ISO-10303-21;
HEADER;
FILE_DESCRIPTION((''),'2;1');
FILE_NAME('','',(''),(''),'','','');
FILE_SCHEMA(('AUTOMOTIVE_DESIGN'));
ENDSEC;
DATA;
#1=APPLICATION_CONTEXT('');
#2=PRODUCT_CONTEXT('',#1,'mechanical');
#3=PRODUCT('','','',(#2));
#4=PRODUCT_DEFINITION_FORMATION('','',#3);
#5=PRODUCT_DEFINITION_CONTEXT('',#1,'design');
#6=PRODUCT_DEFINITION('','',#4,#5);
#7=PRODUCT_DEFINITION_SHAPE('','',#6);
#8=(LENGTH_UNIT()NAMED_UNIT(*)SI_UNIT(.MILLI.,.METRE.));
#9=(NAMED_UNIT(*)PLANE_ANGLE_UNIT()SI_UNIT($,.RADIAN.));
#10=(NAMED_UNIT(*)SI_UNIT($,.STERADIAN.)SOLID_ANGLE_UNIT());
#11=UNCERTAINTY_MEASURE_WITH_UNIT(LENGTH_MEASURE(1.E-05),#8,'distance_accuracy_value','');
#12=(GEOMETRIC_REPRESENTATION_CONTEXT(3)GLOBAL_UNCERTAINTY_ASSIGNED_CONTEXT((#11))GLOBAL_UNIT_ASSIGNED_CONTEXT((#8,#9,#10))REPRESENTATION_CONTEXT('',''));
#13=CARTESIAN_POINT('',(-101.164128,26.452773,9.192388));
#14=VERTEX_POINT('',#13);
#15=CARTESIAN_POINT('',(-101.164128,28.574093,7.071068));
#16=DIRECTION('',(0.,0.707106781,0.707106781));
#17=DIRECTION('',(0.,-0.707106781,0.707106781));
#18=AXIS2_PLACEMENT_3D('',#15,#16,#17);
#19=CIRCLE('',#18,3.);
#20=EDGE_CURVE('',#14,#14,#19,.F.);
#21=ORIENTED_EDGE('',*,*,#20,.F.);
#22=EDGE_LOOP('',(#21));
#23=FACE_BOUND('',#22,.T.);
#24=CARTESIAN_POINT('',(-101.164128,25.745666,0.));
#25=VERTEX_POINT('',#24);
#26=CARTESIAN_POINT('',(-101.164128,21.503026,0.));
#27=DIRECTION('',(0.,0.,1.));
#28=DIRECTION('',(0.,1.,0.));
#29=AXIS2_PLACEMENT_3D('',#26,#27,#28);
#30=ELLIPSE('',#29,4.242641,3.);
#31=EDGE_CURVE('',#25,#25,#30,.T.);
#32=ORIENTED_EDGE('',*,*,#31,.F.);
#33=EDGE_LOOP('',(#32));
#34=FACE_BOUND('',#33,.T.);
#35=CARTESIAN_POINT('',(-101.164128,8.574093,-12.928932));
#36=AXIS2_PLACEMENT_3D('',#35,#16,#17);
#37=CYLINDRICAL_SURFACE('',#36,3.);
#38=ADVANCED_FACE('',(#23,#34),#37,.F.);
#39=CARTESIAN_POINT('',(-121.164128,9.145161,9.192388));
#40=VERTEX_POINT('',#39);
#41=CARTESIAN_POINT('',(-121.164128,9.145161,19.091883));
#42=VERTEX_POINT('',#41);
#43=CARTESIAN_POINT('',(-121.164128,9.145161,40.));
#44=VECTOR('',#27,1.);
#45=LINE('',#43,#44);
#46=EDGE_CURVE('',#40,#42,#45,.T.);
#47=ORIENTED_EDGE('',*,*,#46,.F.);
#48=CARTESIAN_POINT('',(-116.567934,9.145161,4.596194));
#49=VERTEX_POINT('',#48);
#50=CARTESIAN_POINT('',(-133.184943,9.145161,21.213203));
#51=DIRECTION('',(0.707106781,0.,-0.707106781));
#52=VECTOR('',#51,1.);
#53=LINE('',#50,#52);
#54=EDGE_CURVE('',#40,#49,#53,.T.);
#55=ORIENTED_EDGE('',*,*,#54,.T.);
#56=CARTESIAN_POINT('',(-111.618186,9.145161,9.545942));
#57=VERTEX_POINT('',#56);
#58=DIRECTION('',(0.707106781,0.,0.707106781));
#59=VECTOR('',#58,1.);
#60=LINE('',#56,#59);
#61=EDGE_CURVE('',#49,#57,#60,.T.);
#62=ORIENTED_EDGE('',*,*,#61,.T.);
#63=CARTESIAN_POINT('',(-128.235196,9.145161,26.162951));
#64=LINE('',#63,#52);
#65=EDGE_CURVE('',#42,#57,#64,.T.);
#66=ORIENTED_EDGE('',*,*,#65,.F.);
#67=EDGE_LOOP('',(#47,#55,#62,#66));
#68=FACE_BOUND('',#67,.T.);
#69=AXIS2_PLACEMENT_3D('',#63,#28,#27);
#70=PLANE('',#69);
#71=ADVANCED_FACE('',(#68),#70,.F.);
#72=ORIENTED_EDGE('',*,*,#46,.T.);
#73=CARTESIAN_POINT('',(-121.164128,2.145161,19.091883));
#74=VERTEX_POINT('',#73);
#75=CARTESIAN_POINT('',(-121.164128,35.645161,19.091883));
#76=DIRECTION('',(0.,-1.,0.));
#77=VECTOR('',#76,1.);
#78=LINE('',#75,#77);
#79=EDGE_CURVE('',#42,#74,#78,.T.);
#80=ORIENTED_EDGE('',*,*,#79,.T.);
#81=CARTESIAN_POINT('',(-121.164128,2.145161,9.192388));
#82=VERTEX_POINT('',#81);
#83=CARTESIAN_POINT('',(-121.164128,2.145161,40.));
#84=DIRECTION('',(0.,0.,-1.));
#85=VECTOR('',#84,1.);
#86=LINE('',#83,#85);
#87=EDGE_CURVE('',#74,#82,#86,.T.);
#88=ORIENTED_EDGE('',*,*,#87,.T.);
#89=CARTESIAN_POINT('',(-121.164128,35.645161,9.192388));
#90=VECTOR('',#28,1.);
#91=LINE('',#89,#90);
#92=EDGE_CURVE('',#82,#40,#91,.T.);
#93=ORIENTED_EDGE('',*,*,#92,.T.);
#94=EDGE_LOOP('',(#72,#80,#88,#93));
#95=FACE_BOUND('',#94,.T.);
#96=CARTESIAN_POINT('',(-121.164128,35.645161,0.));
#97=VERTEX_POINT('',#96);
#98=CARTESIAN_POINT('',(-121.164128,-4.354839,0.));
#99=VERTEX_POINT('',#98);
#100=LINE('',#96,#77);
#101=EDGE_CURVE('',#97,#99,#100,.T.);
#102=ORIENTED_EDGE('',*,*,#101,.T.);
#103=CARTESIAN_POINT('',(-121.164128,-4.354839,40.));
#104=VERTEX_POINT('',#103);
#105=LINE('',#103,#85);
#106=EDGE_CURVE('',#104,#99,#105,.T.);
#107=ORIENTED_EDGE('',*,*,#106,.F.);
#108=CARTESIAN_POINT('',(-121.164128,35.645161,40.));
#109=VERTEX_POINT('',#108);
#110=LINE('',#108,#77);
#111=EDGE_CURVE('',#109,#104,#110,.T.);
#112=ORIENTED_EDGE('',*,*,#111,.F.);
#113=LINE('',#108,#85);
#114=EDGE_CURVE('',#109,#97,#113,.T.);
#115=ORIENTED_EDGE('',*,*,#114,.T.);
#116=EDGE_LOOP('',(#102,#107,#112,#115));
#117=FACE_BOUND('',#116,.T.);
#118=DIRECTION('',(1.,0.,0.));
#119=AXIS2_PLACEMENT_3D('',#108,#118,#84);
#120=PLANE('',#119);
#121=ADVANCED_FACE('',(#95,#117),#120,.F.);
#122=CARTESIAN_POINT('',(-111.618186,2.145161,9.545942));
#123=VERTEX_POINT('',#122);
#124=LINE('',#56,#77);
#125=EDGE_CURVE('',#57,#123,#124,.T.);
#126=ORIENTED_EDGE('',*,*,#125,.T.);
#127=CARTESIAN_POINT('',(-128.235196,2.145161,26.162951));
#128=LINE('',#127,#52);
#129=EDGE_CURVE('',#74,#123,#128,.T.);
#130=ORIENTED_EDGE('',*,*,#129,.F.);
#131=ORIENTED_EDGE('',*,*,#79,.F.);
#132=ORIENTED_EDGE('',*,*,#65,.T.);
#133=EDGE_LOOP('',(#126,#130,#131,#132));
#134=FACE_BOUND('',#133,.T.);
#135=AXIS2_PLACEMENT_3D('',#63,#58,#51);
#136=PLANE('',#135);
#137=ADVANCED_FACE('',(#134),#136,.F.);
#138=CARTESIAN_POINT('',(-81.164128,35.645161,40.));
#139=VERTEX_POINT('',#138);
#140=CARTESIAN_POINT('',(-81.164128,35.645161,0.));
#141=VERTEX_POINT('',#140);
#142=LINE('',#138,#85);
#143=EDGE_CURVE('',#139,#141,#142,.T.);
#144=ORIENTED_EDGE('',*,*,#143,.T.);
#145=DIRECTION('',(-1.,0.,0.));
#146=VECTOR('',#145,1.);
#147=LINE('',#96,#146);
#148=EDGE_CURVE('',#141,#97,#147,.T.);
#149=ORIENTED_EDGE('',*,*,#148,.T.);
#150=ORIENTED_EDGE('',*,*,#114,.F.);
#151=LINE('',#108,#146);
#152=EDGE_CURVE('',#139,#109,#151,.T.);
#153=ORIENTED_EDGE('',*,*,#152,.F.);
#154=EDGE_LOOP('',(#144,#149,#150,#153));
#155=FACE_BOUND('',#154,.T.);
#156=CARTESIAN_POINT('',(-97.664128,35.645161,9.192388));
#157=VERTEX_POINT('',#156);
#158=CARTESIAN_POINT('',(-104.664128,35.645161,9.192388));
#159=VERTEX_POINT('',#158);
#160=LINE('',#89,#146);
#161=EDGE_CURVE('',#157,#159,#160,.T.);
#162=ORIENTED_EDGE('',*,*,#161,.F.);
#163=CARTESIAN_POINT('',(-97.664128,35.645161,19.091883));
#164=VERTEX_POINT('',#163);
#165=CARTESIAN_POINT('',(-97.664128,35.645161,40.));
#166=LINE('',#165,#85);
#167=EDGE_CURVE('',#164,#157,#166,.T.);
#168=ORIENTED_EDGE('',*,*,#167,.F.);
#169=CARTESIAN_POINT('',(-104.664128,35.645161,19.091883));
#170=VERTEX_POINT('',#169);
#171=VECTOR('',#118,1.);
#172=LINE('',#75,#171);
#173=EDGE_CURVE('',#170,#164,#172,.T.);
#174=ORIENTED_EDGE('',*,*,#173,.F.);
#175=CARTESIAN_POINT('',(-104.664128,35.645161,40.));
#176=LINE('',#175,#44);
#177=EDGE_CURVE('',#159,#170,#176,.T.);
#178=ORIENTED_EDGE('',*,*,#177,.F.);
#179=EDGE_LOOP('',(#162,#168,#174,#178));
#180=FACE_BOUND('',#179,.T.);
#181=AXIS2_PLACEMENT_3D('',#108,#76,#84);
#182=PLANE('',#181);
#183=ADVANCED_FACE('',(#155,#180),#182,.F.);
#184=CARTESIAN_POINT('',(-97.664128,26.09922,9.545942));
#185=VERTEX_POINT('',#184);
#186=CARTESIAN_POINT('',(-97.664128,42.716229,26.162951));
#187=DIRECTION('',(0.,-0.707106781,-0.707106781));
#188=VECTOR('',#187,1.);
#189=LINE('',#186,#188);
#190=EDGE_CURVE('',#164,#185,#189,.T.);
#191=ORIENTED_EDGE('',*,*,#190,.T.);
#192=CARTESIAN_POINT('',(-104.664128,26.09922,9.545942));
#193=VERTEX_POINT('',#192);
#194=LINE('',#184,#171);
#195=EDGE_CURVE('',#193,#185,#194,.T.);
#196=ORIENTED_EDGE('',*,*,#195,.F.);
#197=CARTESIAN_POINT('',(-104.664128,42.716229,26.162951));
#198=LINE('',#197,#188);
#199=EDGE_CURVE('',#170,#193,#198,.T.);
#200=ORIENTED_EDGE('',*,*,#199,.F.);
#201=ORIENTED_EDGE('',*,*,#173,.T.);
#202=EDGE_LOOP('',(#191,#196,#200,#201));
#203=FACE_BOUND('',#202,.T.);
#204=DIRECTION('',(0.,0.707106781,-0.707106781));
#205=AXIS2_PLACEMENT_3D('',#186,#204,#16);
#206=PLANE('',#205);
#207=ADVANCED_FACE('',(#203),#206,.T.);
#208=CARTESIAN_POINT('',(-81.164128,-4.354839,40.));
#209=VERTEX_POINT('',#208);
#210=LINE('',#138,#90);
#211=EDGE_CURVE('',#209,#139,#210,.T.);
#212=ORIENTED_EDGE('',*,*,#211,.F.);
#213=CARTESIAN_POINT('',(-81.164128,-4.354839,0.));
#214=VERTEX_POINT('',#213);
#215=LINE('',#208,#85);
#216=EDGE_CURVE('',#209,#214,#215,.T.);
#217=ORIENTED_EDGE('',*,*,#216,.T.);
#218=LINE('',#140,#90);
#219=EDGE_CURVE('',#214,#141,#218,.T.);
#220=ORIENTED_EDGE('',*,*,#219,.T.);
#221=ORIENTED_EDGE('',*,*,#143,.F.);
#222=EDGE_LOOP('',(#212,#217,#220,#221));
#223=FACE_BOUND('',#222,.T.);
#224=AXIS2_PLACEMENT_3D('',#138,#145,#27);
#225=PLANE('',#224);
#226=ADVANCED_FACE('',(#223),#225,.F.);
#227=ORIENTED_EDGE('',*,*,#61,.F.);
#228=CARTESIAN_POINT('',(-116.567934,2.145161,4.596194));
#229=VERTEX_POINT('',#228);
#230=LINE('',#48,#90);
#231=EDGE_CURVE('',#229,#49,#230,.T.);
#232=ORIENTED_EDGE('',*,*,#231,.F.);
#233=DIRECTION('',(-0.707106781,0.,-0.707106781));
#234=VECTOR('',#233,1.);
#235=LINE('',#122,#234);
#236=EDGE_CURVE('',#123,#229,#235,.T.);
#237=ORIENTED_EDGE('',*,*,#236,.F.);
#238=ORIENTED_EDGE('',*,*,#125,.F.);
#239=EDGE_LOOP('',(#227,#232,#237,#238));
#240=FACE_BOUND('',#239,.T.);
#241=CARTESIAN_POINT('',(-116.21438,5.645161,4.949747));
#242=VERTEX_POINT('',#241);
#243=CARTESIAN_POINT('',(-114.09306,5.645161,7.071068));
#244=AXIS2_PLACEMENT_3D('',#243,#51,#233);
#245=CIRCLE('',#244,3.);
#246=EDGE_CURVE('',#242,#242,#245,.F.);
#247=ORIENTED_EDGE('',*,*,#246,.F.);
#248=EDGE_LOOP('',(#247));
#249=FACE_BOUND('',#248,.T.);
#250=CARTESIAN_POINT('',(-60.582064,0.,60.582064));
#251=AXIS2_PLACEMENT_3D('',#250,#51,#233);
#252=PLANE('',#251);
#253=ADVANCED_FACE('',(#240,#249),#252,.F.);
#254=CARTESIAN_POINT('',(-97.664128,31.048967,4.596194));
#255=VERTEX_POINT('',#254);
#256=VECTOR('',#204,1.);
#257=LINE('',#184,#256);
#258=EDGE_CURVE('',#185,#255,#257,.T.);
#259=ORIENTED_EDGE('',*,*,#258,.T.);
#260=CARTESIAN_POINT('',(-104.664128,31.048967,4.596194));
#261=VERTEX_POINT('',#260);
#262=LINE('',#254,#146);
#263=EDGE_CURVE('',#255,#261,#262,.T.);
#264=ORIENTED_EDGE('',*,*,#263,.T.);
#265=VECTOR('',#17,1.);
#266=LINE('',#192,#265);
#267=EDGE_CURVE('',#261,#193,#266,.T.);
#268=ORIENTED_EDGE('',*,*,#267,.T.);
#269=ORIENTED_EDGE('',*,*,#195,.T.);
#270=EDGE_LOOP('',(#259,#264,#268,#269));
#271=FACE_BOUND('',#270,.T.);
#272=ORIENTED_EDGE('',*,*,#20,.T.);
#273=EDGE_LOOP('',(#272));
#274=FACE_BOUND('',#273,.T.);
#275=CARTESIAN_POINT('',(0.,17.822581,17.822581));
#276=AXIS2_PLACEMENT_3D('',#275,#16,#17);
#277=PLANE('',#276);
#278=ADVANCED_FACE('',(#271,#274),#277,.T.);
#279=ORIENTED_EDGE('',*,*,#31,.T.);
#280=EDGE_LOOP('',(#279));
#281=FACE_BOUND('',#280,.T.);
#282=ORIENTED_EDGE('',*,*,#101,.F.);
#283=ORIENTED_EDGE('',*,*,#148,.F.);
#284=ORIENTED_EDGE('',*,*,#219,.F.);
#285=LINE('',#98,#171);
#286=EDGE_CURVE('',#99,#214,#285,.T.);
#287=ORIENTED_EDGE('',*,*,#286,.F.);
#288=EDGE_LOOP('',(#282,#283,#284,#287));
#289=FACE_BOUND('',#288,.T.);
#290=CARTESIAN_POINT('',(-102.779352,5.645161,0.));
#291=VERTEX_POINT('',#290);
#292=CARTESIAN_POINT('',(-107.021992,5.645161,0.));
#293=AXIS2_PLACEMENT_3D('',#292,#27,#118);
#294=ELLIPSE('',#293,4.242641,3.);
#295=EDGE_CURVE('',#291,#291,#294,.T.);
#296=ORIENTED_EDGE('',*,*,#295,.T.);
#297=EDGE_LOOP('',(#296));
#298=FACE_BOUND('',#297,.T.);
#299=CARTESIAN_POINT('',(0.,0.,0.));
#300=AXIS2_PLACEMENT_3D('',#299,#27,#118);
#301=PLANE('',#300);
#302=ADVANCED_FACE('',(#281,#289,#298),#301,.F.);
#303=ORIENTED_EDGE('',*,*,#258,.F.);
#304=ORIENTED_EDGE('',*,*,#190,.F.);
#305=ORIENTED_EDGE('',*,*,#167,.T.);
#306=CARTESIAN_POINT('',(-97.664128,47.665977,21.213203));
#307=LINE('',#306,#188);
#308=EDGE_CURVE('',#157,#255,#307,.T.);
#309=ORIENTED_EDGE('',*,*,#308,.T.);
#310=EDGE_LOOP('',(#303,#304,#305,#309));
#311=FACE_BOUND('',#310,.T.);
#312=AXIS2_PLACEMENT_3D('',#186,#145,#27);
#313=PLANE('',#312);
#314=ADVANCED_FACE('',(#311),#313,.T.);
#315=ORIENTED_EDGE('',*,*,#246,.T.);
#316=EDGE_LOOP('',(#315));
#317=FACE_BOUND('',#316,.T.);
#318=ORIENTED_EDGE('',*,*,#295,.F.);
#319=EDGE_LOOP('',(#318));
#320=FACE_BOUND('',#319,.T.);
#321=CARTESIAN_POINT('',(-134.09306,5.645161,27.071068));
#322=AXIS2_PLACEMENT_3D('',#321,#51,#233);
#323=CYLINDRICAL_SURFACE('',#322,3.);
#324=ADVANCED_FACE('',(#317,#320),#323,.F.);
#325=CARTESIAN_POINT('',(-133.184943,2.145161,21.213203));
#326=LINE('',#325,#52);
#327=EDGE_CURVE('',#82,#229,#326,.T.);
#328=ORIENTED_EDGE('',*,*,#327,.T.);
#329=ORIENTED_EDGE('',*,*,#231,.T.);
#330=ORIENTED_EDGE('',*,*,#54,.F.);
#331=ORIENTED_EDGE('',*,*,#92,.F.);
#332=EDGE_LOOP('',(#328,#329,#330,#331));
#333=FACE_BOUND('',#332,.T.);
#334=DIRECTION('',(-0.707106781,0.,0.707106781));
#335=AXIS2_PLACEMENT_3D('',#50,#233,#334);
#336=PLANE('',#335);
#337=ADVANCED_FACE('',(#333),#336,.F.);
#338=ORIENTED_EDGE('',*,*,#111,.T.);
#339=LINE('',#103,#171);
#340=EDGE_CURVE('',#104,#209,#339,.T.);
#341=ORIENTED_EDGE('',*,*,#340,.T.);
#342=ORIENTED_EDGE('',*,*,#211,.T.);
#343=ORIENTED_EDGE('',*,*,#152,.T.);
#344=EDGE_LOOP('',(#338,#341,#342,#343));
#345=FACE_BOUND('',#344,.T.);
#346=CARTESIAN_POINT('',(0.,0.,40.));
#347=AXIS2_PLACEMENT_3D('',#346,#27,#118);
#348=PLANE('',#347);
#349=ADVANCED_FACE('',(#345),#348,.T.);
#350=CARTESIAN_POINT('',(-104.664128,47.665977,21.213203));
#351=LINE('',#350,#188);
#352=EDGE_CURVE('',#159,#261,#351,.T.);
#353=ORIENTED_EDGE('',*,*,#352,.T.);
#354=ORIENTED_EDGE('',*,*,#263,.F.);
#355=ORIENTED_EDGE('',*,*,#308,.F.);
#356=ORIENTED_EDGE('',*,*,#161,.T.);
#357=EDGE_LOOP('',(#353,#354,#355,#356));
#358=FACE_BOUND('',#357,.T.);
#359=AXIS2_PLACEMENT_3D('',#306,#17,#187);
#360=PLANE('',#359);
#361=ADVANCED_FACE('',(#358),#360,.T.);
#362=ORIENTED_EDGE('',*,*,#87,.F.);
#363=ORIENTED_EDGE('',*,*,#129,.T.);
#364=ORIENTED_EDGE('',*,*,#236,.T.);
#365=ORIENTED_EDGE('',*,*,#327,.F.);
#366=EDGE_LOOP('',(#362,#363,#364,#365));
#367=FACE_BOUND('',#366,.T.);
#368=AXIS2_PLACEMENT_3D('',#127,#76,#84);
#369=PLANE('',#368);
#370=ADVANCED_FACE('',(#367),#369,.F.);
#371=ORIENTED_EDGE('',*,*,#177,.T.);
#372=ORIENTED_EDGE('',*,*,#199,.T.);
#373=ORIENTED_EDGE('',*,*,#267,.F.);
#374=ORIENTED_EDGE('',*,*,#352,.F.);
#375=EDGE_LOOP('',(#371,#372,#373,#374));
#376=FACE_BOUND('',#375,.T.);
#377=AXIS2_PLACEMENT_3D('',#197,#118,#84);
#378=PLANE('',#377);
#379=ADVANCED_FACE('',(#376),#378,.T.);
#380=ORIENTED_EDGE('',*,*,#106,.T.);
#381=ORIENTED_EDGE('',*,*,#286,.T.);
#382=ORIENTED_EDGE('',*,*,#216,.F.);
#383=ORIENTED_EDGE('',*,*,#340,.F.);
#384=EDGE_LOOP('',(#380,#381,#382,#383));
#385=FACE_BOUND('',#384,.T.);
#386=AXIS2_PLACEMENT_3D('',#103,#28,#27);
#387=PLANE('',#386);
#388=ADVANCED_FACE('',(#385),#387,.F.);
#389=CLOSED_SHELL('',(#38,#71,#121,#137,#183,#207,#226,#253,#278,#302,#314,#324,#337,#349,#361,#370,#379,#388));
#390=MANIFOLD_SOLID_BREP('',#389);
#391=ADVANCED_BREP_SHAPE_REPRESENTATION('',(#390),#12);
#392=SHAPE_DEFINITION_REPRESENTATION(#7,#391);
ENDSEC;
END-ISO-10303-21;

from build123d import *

# Parameters (mm, degrees)
ESQUISSE1_W                  = 40
ESQUISSE1_H                  = 40
BOSS_EXTRU_1_DEPTH           = 40
ESQUISSE2_R                  = 3
ENL_V_MAT_EXTRU_3_DEPTH      = 29.284271247
ENL_V_MAT_EXTRU_3_DEPTH_BACK = 29.284271247
ESQUISSE4_W                  = 7
ESQUISSE4_H                  = 7
ENL_V_MAT_EXTRU_5_DEPTH      = 23.5
ESQUISSE6_R                  = 3
ENL_V_MAT_EXTRU_6_DEPTH      = 29.284271247
ENL_V_MAT_EXTRU_6_DEPTH_BACK = 29.284271247
ESQUISSE7_W                  = 7
ESQUISSE7_H                  = 7
ENL_V_MAT_EXTRU_7_DEPTH      = 23.5


with BuildPart() as part:
    # Esquisse1 → Boss.-Extru.1 (new body)
    with BuildSketch(Plane.XY):
        with Locations((-101.164127838, 15.64516129)):
            Rectangle(ESQUISSE1_W, ESQUISSE1_H)
    extrude(amount=BOSS_EXTRU_1_DEPTH)

    # Esquisse2 → Enlèv. mat.-Extru.3 (cut, two sides)
    with BuildSketch(Plane(origin=(0, 17.822580645, 17.822580645), x_dir=(1, 0, 0), z_dir=(0, 0.707106781, 0.707106781))) as enl_v_mat_extru_3_sk:
        with Locations((-101.164127838, 15.204935265)):
            Circle(ESQUISSE2_R)
    extrude(amount=ENL_V_MAT_EXTRU_3_DEPTH, mode=Mode.SUBTRACT)
    extrude(enl_v_mat_extru_3_sk.sketch, amount=-ENL_V_MAT_EXTRU_3_DEPTH_BACK, mode=Mode.SUBTRACT)

    # Esquisse4 → Enlèv. mat.-Extru.5 (cut)
    with BuildSketch(Plane(origin=(0, 17.822580645, 17.822580645), x_dir=(1, 0, 0), z_dir=(0, 0.707106781, 0.707106781))):
        with Locations((-101.164127838, 15.204935265)):
            Rectangle(ESQUISSE4_W, ESQUISSE4_H)
    extrude(amount=ENL_V_MAT_EXTRU_5_DEPTH, mode=Mode.SUBTRACT)

    # Esquisse6 → Enlèv. mat.-Extru.6 (cut, two sides)
    with BuildSketch(Plane(origin=(-60.582063919, 0, 60.582063919), x_dir=(-0.707106781, 0, -0.707106781), z_dir=(0.707106781, 0, -0.707106781))) as enl_v_mat_extru_6_sk:
        with Locations((75.67597643, 5.64516129)):
            Circle(ESQUISSE6_R)
    extrude(amount=ENL_V_MAT_EXTRU_6_DEPTH, mode=Mode.SUBTRACT)
    extrude(enl_v_mat_extru_6_sk.sketch, amount=-ENL_V_MAT_EXTRU_6_DEPTH_BACK, mode=Mode.SUBTRACT)

    # Esquisse7 → Enlèv. mat.-Extru.7 (cut)
    with BuildSketch(Plane(origin=(-60.582063919, 0, 60.582063919), x_dir=(-0.707106781, 0, -0.707106781), z_dir=(0.707106781, 0, -0.707106781))):
        with Locations((75.67597643, 5.64516129)):
            Rectangle(ESQUISSE7_W, ESQUISSE7_H)
    extrude(amount=-ENL_V_MAT_EXTRU_7_DEPTH, mode=Mode.SUBTRACT)


solid = part.part
